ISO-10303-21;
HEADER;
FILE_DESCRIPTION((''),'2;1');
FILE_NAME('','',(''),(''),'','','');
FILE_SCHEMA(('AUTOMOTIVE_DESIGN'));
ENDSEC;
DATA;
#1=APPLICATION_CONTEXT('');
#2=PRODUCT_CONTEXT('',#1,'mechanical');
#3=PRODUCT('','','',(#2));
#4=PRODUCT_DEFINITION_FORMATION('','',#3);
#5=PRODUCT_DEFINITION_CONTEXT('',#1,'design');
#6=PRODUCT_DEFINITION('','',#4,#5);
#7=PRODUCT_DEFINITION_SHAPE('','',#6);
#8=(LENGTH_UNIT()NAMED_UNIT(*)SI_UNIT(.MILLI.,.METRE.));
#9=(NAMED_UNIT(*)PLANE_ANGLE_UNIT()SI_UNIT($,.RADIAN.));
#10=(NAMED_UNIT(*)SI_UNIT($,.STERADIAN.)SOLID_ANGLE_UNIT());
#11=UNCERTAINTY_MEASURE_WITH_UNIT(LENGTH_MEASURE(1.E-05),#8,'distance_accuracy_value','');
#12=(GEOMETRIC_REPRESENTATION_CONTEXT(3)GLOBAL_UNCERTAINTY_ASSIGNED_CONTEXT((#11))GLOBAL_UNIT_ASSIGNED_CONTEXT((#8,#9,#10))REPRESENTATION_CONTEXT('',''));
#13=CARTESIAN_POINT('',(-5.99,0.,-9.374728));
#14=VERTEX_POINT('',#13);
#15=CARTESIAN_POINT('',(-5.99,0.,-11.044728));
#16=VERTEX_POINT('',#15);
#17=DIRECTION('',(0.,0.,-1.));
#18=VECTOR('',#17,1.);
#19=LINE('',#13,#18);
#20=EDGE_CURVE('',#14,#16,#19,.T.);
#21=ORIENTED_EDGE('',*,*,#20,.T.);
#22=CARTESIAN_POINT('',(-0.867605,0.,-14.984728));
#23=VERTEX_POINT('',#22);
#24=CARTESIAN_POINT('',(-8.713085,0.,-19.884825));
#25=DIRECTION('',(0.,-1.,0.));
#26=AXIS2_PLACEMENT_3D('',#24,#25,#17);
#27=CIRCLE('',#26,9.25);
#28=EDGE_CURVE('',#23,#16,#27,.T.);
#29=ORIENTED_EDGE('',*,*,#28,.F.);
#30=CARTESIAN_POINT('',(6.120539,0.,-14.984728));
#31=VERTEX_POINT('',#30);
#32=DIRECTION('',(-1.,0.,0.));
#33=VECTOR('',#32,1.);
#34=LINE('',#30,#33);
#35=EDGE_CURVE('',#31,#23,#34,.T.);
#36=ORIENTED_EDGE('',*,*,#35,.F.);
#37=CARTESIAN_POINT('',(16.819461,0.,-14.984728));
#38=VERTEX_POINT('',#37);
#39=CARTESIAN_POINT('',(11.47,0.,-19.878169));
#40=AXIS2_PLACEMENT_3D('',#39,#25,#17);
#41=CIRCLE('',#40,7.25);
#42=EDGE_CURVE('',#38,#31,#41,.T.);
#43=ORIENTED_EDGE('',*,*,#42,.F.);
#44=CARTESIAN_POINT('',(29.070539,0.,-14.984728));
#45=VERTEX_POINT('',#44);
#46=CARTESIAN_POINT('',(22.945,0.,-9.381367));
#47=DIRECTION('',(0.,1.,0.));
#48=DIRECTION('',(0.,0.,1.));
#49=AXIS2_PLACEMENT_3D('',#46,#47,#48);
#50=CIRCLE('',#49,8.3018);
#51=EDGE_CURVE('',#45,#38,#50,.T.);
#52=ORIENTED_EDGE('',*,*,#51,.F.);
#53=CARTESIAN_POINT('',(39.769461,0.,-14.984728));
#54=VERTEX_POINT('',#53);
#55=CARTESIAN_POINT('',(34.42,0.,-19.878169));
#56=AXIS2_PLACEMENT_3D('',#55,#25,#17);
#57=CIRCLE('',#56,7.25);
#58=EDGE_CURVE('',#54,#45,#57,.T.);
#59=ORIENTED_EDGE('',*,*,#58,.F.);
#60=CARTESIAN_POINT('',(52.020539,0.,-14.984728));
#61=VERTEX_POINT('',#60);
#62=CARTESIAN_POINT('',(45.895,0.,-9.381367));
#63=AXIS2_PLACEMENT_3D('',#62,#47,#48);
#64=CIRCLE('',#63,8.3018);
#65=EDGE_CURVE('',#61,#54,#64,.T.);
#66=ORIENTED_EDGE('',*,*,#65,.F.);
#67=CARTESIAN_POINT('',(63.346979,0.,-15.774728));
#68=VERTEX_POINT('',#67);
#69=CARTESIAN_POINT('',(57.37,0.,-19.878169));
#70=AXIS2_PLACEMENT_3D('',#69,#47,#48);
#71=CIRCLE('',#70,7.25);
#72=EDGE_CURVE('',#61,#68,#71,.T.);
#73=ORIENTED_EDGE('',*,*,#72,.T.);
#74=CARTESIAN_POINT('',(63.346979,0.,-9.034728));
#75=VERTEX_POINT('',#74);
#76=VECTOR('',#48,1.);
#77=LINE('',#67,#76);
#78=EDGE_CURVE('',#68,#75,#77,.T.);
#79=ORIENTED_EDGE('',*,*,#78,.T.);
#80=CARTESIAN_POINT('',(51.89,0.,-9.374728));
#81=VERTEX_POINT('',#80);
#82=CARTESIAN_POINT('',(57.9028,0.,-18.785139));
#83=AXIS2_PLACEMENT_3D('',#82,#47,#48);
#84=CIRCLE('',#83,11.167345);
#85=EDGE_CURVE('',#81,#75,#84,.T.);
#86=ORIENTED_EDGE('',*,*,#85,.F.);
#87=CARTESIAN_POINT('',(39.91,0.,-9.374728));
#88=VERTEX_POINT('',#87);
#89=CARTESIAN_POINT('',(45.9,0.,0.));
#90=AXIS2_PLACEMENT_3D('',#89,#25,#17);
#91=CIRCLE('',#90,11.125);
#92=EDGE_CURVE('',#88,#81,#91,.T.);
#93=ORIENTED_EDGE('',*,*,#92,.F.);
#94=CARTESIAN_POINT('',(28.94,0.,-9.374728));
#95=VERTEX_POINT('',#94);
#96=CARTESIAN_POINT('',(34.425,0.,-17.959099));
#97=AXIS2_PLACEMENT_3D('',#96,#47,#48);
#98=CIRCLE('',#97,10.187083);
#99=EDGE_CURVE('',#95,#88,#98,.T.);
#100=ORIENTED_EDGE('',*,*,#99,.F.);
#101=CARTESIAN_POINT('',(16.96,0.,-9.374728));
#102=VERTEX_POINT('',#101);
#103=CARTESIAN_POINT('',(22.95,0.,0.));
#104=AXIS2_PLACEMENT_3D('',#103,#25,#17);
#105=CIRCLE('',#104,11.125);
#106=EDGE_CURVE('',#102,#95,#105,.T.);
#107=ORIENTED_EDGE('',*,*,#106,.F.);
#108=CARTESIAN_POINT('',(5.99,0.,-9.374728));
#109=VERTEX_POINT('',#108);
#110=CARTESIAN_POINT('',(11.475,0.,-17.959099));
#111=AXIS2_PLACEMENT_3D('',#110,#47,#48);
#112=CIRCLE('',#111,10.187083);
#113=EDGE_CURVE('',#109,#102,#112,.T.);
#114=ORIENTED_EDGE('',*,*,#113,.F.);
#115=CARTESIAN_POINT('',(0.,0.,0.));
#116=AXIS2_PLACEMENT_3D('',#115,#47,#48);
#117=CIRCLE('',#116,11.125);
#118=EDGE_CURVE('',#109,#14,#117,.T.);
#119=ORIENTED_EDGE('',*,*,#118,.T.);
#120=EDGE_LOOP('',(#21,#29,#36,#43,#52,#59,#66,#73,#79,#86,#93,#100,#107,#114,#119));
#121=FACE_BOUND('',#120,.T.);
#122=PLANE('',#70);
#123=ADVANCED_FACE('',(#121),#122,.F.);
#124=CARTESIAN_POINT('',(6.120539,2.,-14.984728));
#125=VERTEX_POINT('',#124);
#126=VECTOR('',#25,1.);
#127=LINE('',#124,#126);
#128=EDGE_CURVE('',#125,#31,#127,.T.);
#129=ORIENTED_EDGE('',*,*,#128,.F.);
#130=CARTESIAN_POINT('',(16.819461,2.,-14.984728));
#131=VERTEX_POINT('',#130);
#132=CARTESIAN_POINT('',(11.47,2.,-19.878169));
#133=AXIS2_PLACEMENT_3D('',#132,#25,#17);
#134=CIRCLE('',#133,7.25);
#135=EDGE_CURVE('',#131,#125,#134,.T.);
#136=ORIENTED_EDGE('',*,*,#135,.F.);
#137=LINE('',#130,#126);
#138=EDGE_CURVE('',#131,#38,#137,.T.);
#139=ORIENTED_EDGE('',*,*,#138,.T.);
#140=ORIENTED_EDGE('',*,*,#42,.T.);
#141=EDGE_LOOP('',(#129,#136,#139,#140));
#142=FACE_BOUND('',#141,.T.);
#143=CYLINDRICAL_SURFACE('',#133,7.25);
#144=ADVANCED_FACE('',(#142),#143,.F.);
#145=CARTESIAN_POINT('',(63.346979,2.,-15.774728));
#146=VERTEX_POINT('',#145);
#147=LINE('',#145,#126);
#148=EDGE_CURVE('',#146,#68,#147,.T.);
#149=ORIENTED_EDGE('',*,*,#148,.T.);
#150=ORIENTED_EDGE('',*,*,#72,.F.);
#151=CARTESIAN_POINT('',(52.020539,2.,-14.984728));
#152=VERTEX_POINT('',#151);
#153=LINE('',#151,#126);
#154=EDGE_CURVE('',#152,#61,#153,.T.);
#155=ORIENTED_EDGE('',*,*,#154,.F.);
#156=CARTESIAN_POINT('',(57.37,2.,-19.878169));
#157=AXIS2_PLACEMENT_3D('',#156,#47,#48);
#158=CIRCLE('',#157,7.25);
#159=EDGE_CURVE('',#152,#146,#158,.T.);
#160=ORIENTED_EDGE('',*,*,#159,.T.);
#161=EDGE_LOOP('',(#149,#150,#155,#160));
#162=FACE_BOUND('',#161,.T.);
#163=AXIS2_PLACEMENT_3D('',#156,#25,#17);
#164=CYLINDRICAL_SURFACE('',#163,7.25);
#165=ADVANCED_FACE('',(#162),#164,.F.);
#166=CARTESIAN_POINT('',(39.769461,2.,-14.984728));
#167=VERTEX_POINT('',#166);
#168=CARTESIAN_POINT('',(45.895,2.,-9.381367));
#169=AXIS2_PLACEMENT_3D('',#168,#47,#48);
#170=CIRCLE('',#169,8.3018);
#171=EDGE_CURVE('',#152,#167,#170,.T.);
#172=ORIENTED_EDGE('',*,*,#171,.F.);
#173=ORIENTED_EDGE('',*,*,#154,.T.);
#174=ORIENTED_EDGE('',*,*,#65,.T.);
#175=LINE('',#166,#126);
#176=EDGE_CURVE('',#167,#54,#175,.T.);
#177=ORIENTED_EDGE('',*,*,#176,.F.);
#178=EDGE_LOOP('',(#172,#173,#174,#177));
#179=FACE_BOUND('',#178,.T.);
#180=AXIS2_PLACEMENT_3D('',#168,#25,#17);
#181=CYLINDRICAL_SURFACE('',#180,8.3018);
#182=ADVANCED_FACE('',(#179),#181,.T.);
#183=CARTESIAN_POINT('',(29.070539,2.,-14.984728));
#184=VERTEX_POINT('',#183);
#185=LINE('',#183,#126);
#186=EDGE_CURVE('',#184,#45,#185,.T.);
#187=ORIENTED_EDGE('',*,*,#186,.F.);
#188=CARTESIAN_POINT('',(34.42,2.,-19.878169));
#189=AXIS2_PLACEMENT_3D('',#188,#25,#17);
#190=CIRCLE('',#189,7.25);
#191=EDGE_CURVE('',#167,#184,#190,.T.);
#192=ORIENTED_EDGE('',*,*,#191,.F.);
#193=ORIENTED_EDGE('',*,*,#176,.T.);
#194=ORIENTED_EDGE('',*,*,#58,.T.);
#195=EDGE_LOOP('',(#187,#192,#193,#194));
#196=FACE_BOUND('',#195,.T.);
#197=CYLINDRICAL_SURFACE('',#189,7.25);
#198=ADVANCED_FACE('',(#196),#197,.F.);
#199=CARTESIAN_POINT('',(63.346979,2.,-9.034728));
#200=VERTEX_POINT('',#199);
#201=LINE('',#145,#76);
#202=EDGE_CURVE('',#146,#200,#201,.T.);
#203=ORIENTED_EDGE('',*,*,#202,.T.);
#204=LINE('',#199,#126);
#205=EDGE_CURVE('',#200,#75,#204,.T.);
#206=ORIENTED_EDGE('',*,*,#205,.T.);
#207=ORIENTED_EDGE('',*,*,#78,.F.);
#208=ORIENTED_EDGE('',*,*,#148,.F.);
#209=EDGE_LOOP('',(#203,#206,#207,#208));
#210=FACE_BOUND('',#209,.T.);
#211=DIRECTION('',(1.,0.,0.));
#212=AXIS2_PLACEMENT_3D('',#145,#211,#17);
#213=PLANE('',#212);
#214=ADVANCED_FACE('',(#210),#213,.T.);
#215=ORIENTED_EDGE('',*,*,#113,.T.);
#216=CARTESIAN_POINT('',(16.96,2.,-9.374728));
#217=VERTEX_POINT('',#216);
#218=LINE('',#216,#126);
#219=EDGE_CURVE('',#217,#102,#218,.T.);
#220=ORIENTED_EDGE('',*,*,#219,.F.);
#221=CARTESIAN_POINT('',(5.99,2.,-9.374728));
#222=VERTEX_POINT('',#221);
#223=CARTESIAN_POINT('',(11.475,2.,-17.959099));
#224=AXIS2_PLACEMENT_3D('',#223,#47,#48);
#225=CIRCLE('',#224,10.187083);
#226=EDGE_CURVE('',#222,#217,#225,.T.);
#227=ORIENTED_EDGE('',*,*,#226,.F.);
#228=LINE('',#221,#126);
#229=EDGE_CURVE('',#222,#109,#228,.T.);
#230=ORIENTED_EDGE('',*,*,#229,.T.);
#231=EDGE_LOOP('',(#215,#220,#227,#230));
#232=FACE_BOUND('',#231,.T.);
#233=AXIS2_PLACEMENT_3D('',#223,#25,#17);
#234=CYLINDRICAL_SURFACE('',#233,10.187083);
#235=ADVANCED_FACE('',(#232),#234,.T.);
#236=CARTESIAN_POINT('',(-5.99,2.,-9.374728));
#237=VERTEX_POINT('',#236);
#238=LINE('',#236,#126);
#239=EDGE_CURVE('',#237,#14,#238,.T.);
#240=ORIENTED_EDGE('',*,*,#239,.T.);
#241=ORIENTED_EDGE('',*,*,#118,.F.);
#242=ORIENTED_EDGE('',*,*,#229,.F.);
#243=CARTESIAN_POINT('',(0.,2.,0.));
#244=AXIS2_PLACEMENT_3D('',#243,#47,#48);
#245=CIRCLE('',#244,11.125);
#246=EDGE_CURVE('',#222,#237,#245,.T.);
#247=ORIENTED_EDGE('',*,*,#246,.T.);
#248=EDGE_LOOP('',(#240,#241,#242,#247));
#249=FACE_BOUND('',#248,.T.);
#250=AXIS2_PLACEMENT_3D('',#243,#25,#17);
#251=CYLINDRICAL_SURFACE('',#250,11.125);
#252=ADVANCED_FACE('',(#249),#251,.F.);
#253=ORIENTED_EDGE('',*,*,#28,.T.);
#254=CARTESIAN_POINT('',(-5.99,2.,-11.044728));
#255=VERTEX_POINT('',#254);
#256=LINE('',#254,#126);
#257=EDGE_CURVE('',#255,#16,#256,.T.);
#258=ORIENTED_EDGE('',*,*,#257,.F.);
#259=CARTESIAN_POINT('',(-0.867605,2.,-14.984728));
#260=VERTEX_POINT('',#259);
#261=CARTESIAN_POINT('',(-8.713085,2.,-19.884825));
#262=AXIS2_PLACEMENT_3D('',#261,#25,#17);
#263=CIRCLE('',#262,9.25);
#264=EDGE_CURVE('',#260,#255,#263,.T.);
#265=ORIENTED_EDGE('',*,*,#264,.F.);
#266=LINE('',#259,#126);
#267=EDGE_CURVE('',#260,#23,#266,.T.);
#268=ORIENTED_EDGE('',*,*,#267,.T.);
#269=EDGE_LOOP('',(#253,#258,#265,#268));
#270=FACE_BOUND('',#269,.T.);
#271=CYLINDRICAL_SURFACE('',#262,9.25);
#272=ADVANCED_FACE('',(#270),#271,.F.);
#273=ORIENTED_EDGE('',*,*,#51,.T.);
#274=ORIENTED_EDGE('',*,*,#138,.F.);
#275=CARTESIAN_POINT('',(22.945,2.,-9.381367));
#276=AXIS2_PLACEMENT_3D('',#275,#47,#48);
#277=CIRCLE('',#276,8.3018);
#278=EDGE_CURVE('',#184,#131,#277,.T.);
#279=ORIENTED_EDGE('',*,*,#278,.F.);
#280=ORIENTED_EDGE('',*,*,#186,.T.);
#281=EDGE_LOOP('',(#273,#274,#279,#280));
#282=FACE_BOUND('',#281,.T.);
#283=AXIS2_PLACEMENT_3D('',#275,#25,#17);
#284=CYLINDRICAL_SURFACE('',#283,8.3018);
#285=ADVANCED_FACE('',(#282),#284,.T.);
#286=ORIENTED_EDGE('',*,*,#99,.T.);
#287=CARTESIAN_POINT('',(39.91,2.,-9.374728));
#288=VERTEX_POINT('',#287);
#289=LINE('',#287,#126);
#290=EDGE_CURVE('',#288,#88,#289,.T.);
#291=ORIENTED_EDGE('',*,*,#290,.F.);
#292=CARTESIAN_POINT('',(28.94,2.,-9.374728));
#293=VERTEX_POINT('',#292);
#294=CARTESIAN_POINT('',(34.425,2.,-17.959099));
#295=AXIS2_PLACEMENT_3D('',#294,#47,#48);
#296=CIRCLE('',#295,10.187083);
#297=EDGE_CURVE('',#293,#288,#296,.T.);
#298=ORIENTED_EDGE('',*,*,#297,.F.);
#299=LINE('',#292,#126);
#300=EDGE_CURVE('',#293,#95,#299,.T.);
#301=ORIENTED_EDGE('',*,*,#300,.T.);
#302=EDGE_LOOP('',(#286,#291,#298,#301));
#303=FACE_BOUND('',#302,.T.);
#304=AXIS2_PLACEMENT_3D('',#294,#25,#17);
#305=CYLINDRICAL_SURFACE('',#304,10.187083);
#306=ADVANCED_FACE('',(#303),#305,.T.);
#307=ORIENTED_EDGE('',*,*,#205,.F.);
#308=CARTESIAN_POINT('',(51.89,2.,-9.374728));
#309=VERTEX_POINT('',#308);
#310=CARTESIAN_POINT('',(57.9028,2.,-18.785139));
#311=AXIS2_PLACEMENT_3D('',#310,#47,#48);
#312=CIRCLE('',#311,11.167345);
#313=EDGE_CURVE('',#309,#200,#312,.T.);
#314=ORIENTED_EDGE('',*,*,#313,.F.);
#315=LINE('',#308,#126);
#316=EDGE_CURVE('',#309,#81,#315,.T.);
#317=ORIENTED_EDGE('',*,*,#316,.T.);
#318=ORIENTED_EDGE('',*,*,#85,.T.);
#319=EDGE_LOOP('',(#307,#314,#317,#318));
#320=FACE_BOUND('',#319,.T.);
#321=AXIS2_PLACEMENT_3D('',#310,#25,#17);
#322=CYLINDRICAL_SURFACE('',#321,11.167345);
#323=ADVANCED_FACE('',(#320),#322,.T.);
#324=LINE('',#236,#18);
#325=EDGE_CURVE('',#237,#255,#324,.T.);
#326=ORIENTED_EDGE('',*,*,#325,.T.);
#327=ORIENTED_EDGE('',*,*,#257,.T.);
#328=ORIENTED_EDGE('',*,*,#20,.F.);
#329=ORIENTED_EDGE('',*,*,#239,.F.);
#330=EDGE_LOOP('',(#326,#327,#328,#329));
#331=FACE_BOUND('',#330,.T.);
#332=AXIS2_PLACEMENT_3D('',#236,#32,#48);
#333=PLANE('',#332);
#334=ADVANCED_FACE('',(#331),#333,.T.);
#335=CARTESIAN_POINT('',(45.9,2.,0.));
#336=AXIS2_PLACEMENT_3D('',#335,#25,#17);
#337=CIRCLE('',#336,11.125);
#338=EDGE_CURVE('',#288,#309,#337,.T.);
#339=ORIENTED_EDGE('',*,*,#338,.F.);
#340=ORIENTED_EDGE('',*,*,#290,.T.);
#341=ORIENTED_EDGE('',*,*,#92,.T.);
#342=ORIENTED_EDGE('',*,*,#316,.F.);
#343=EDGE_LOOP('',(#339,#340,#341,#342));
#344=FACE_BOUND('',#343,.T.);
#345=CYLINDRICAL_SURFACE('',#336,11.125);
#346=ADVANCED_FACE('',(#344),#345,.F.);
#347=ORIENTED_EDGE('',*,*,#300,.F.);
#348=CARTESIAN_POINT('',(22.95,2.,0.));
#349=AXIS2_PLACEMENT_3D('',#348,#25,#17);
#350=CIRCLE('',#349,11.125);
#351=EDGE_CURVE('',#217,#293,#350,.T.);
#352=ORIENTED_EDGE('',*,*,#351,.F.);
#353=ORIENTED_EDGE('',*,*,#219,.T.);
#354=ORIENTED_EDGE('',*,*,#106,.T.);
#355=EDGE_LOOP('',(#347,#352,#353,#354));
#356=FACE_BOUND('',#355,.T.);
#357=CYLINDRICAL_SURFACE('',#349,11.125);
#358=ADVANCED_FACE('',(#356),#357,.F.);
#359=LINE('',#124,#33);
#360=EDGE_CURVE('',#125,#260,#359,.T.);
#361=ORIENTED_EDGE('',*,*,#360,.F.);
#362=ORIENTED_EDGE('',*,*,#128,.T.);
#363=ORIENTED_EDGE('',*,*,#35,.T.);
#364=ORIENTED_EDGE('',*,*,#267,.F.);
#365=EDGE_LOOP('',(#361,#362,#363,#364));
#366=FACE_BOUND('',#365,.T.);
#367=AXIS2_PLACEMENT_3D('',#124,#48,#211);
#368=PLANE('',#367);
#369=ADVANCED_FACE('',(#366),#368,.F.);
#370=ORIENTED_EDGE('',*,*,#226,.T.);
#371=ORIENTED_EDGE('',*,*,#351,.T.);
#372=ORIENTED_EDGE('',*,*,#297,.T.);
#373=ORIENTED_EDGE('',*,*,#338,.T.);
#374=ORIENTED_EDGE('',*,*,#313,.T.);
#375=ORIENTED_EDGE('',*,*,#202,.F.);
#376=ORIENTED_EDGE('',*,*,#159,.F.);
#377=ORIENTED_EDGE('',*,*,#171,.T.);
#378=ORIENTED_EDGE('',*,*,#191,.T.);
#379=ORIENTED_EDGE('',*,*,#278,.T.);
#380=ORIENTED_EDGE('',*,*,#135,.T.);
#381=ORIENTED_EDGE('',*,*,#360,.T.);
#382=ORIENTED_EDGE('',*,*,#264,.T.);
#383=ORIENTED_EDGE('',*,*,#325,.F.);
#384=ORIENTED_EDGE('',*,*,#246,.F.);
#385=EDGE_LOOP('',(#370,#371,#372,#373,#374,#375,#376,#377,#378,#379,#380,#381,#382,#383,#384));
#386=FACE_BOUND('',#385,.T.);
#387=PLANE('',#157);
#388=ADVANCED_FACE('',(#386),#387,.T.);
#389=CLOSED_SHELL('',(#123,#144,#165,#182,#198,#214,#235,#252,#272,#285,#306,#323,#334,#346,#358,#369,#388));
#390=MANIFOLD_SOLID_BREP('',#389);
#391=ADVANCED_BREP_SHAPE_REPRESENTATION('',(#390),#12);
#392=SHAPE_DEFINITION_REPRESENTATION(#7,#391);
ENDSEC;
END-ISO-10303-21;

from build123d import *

# Parameters (mm, degrees)
BOSS_EXTRUDE1_DEPTH = 2


with BuildPart() as part:
    # Sketch2 → Boss-Extrude1 (new body)
    with BuildSketch(Plane(origin=(0, 0, 0), x_dir=(1, 0, 0), z_dir=(0, 1, 0))):
        with BuildLine():
            Line((63.346978543, 15.774727996), (63.346978543, 9.034727996))
            ThreePointArc((63.346978543, 9.034727996), (57.571540875, 7.622708087), (51.89, 9.374727996))
            ThreePointArc((51.89, 9.374727996), (45.9, 11.125), (39.91, 9.374727996))
            ThreePointArc((39.91, 9.374727996), (34.425, 7.772016487), (28.94, 9.374727996))
            ThreePointArc((28.94, 9.374727996), (22.95, 11.125), (16.96, 9.374727996))
            ThreePointArc((16.96, 9.374727996), (11.475, 7.772016487), (5.99, 9.374727996))
            ThreePointArc((5.99, 9.374727996), (0, 11.125), (-5.99, 9.374727996))
            Line((-5.99, 9.374727996), (-5.99, 11.044727996))
            ThreePointArc((-5.99, 11.044727996), (-3.073533572, 12.552842644), (-0.867605229, 14.984727996))
            Line((-0.867605229, 14.984727996), (6.120538735, 14.984727996))
            ThreePointArc((6.120538735, 14.984727996), (11.47, 12.62816893), (16.819461265, 14.984727996))
            ThreePointArc((16.819461265, 14.984727996), (22.945, 17.683166797), (29.070538735, 14.984727996))
            ThreePointArc((29.070538735, 14.984727996), (34.42, 12.62816893), (39.769461265, 14.984727996))
            ThreePointArc((39.769461265, 14.984727996), (45.895, 17.683166797), (52.020538735, 14.984727996))
            ThreePointArc((52.020538735, 14.984727996), (57.874449684, 12.645739842), (63.346978543, 15.774727996))
        make_face()
    extrude(amount=BOSS_EXTRUDE1_DEPTH)


solid = part.part
